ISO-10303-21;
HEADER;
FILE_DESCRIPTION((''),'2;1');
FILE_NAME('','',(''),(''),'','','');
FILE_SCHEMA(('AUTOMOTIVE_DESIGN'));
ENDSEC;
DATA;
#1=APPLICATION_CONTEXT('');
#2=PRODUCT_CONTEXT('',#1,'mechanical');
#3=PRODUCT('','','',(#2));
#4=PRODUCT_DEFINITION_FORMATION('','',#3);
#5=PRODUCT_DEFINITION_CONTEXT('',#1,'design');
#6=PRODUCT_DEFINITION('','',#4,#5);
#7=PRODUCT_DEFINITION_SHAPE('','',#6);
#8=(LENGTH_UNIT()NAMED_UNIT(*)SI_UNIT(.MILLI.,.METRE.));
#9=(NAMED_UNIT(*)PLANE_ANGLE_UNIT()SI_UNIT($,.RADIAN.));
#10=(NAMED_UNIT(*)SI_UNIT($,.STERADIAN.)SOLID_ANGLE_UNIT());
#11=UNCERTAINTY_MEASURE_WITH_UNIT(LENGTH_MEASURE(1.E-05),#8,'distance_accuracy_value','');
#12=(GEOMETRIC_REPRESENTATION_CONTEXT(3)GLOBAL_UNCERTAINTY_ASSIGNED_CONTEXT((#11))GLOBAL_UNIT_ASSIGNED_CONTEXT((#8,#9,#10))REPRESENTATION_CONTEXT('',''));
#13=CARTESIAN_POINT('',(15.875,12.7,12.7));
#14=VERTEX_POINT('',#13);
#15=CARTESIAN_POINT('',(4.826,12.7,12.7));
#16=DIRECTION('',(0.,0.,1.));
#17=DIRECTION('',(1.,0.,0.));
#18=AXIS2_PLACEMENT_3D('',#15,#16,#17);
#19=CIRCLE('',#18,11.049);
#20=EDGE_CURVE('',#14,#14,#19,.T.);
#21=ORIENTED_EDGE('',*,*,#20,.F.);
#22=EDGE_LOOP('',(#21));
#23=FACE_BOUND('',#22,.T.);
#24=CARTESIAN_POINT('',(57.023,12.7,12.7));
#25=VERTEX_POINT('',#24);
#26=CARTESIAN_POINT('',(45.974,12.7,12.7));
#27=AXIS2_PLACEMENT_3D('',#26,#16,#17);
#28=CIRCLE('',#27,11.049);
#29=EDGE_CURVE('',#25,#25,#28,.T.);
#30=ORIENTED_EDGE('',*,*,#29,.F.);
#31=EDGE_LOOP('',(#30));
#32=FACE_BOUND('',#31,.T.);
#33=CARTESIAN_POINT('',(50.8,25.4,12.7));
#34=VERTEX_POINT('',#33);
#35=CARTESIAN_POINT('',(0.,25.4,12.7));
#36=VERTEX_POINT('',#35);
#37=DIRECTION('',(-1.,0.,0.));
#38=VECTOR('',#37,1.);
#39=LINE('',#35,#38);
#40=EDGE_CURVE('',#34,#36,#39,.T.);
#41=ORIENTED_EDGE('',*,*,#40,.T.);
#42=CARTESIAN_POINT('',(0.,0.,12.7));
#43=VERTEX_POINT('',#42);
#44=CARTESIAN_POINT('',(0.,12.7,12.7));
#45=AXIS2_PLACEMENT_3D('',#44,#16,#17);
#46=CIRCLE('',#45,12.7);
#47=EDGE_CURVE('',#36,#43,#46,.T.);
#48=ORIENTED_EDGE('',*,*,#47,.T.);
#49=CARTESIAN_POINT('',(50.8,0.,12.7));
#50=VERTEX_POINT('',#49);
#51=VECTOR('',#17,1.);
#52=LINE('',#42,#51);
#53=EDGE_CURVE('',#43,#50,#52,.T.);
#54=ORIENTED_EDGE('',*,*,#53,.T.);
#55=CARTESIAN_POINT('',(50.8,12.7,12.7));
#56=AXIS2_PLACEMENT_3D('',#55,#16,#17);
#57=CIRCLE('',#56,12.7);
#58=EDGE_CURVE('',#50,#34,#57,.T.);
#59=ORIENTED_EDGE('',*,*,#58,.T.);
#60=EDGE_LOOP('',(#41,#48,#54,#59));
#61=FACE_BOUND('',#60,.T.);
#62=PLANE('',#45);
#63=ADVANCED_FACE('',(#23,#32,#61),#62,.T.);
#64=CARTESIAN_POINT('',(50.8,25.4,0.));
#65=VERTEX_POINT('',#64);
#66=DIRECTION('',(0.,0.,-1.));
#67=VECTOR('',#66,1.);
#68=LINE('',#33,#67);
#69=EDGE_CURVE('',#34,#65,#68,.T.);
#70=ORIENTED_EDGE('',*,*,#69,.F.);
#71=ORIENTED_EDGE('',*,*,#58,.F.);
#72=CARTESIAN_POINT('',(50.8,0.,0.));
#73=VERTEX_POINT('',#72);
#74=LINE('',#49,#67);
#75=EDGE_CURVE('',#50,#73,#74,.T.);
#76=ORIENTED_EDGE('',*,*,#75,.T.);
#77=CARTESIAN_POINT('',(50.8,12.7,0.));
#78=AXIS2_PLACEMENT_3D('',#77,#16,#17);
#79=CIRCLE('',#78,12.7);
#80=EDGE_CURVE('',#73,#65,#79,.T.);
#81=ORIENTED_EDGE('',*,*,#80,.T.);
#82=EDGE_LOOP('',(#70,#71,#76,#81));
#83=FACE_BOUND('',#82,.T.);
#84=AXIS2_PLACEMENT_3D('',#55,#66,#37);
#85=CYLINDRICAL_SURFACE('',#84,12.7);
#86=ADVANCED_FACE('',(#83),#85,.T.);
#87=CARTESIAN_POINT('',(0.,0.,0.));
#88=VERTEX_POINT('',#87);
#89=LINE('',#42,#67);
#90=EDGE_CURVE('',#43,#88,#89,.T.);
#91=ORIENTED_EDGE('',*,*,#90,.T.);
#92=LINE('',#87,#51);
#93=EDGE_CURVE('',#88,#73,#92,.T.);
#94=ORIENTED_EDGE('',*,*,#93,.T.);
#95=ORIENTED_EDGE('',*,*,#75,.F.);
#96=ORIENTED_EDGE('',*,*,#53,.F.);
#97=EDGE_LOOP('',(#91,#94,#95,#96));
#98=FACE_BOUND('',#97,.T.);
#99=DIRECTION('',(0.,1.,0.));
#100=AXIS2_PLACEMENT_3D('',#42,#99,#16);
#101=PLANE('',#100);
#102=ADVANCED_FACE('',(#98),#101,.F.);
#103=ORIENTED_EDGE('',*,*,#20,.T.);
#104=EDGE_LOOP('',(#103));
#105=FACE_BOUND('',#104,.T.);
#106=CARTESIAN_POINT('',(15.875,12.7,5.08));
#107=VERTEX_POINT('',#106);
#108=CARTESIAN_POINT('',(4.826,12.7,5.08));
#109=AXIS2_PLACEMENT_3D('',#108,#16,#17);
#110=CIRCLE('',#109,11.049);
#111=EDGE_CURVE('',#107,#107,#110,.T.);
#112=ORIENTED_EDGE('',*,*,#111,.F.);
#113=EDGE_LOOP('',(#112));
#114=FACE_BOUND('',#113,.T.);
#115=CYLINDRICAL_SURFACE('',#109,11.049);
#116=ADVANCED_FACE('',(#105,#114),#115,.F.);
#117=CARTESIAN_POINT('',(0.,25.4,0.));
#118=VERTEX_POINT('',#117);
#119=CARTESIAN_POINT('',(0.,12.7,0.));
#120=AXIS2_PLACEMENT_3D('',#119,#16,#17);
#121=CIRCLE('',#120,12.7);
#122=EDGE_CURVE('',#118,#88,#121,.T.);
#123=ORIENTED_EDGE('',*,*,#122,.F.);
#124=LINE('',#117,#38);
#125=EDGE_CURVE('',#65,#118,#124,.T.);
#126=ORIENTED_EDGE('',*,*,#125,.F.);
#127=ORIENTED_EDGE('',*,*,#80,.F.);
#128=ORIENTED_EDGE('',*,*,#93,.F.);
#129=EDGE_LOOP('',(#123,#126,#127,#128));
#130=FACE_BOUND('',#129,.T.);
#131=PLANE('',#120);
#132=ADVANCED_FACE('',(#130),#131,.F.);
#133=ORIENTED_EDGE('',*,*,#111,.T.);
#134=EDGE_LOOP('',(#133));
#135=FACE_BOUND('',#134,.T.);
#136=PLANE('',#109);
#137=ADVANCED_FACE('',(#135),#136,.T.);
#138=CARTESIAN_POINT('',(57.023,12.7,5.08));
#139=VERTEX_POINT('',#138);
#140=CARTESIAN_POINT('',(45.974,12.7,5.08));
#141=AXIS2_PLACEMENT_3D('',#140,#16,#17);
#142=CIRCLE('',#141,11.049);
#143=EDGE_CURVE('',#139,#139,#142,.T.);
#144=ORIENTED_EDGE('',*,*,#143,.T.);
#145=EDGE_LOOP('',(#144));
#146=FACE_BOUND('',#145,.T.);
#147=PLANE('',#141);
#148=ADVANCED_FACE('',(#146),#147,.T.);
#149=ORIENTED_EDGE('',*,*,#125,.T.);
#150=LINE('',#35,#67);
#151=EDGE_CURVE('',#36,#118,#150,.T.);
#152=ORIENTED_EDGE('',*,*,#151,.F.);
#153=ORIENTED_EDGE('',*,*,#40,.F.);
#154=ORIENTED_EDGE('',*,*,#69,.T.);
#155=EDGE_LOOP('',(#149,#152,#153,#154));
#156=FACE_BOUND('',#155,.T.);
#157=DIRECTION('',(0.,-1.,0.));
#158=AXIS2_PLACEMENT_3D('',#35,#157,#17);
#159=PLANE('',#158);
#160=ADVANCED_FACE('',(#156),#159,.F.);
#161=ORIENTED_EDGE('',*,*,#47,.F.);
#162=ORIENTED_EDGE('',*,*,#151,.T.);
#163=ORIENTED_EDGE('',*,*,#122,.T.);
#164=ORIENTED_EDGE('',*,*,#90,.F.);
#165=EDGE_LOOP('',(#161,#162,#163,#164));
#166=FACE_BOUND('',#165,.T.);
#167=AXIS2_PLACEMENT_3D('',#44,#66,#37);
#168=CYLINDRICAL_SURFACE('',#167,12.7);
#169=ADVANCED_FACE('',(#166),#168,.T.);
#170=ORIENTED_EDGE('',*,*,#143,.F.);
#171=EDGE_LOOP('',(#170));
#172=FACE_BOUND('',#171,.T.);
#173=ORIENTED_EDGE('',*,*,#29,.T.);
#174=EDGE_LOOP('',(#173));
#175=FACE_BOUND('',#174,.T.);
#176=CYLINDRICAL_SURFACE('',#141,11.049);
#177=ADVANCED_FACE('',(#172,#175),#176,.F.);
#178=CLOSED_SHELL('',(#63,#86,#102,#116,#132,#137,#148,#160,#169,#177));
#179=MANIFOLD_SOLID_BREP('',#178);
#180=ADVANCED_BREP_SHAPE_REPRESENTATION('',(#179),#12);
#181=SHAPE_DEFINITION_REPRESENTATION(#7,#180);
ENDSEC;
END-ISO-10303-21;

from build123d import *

# Parameters (mm, degrees)
BOSS_EXTRUDE1_DEPTH = 12.7
SKETCH2_R           = 11.049
CUT_EXTRUDE1_DEPTH  = 7.62


with BuildPart() as part:
    # Sketch1 → Boss-Extrude1 (new body)
    with BuildSketch(Plane.XY):
        with BuildLine():
            Line((0, 0), (50.8, 0))
            ThreePointArc((50.8, 0), (63.5, 12.7), (50.8, 25.4))
            Line((50.8, 25.4), (0, 25.4))
            ThreePointArc((0, 25.4), (-12.7, 12.7), (0, 0))
        make_face()
    extrude(amount=BOSS_EXTRUDE1_DEPTH)

    # Sketch2 → Cut-Extrude1 (cut)
    with BuildSketch(Plane.XY.offset(12.7)):
        with Locations((4.826, 12.7)):
            Circle(SKETCH2_R)
        with Locations((45.974, 12.7)):
            Circle(SKETCH2_R)
    extrude(amount=-CUT_EXTRUDE1_DEPTH, mode=Mode.SUBTRACT)


solid = part.part
